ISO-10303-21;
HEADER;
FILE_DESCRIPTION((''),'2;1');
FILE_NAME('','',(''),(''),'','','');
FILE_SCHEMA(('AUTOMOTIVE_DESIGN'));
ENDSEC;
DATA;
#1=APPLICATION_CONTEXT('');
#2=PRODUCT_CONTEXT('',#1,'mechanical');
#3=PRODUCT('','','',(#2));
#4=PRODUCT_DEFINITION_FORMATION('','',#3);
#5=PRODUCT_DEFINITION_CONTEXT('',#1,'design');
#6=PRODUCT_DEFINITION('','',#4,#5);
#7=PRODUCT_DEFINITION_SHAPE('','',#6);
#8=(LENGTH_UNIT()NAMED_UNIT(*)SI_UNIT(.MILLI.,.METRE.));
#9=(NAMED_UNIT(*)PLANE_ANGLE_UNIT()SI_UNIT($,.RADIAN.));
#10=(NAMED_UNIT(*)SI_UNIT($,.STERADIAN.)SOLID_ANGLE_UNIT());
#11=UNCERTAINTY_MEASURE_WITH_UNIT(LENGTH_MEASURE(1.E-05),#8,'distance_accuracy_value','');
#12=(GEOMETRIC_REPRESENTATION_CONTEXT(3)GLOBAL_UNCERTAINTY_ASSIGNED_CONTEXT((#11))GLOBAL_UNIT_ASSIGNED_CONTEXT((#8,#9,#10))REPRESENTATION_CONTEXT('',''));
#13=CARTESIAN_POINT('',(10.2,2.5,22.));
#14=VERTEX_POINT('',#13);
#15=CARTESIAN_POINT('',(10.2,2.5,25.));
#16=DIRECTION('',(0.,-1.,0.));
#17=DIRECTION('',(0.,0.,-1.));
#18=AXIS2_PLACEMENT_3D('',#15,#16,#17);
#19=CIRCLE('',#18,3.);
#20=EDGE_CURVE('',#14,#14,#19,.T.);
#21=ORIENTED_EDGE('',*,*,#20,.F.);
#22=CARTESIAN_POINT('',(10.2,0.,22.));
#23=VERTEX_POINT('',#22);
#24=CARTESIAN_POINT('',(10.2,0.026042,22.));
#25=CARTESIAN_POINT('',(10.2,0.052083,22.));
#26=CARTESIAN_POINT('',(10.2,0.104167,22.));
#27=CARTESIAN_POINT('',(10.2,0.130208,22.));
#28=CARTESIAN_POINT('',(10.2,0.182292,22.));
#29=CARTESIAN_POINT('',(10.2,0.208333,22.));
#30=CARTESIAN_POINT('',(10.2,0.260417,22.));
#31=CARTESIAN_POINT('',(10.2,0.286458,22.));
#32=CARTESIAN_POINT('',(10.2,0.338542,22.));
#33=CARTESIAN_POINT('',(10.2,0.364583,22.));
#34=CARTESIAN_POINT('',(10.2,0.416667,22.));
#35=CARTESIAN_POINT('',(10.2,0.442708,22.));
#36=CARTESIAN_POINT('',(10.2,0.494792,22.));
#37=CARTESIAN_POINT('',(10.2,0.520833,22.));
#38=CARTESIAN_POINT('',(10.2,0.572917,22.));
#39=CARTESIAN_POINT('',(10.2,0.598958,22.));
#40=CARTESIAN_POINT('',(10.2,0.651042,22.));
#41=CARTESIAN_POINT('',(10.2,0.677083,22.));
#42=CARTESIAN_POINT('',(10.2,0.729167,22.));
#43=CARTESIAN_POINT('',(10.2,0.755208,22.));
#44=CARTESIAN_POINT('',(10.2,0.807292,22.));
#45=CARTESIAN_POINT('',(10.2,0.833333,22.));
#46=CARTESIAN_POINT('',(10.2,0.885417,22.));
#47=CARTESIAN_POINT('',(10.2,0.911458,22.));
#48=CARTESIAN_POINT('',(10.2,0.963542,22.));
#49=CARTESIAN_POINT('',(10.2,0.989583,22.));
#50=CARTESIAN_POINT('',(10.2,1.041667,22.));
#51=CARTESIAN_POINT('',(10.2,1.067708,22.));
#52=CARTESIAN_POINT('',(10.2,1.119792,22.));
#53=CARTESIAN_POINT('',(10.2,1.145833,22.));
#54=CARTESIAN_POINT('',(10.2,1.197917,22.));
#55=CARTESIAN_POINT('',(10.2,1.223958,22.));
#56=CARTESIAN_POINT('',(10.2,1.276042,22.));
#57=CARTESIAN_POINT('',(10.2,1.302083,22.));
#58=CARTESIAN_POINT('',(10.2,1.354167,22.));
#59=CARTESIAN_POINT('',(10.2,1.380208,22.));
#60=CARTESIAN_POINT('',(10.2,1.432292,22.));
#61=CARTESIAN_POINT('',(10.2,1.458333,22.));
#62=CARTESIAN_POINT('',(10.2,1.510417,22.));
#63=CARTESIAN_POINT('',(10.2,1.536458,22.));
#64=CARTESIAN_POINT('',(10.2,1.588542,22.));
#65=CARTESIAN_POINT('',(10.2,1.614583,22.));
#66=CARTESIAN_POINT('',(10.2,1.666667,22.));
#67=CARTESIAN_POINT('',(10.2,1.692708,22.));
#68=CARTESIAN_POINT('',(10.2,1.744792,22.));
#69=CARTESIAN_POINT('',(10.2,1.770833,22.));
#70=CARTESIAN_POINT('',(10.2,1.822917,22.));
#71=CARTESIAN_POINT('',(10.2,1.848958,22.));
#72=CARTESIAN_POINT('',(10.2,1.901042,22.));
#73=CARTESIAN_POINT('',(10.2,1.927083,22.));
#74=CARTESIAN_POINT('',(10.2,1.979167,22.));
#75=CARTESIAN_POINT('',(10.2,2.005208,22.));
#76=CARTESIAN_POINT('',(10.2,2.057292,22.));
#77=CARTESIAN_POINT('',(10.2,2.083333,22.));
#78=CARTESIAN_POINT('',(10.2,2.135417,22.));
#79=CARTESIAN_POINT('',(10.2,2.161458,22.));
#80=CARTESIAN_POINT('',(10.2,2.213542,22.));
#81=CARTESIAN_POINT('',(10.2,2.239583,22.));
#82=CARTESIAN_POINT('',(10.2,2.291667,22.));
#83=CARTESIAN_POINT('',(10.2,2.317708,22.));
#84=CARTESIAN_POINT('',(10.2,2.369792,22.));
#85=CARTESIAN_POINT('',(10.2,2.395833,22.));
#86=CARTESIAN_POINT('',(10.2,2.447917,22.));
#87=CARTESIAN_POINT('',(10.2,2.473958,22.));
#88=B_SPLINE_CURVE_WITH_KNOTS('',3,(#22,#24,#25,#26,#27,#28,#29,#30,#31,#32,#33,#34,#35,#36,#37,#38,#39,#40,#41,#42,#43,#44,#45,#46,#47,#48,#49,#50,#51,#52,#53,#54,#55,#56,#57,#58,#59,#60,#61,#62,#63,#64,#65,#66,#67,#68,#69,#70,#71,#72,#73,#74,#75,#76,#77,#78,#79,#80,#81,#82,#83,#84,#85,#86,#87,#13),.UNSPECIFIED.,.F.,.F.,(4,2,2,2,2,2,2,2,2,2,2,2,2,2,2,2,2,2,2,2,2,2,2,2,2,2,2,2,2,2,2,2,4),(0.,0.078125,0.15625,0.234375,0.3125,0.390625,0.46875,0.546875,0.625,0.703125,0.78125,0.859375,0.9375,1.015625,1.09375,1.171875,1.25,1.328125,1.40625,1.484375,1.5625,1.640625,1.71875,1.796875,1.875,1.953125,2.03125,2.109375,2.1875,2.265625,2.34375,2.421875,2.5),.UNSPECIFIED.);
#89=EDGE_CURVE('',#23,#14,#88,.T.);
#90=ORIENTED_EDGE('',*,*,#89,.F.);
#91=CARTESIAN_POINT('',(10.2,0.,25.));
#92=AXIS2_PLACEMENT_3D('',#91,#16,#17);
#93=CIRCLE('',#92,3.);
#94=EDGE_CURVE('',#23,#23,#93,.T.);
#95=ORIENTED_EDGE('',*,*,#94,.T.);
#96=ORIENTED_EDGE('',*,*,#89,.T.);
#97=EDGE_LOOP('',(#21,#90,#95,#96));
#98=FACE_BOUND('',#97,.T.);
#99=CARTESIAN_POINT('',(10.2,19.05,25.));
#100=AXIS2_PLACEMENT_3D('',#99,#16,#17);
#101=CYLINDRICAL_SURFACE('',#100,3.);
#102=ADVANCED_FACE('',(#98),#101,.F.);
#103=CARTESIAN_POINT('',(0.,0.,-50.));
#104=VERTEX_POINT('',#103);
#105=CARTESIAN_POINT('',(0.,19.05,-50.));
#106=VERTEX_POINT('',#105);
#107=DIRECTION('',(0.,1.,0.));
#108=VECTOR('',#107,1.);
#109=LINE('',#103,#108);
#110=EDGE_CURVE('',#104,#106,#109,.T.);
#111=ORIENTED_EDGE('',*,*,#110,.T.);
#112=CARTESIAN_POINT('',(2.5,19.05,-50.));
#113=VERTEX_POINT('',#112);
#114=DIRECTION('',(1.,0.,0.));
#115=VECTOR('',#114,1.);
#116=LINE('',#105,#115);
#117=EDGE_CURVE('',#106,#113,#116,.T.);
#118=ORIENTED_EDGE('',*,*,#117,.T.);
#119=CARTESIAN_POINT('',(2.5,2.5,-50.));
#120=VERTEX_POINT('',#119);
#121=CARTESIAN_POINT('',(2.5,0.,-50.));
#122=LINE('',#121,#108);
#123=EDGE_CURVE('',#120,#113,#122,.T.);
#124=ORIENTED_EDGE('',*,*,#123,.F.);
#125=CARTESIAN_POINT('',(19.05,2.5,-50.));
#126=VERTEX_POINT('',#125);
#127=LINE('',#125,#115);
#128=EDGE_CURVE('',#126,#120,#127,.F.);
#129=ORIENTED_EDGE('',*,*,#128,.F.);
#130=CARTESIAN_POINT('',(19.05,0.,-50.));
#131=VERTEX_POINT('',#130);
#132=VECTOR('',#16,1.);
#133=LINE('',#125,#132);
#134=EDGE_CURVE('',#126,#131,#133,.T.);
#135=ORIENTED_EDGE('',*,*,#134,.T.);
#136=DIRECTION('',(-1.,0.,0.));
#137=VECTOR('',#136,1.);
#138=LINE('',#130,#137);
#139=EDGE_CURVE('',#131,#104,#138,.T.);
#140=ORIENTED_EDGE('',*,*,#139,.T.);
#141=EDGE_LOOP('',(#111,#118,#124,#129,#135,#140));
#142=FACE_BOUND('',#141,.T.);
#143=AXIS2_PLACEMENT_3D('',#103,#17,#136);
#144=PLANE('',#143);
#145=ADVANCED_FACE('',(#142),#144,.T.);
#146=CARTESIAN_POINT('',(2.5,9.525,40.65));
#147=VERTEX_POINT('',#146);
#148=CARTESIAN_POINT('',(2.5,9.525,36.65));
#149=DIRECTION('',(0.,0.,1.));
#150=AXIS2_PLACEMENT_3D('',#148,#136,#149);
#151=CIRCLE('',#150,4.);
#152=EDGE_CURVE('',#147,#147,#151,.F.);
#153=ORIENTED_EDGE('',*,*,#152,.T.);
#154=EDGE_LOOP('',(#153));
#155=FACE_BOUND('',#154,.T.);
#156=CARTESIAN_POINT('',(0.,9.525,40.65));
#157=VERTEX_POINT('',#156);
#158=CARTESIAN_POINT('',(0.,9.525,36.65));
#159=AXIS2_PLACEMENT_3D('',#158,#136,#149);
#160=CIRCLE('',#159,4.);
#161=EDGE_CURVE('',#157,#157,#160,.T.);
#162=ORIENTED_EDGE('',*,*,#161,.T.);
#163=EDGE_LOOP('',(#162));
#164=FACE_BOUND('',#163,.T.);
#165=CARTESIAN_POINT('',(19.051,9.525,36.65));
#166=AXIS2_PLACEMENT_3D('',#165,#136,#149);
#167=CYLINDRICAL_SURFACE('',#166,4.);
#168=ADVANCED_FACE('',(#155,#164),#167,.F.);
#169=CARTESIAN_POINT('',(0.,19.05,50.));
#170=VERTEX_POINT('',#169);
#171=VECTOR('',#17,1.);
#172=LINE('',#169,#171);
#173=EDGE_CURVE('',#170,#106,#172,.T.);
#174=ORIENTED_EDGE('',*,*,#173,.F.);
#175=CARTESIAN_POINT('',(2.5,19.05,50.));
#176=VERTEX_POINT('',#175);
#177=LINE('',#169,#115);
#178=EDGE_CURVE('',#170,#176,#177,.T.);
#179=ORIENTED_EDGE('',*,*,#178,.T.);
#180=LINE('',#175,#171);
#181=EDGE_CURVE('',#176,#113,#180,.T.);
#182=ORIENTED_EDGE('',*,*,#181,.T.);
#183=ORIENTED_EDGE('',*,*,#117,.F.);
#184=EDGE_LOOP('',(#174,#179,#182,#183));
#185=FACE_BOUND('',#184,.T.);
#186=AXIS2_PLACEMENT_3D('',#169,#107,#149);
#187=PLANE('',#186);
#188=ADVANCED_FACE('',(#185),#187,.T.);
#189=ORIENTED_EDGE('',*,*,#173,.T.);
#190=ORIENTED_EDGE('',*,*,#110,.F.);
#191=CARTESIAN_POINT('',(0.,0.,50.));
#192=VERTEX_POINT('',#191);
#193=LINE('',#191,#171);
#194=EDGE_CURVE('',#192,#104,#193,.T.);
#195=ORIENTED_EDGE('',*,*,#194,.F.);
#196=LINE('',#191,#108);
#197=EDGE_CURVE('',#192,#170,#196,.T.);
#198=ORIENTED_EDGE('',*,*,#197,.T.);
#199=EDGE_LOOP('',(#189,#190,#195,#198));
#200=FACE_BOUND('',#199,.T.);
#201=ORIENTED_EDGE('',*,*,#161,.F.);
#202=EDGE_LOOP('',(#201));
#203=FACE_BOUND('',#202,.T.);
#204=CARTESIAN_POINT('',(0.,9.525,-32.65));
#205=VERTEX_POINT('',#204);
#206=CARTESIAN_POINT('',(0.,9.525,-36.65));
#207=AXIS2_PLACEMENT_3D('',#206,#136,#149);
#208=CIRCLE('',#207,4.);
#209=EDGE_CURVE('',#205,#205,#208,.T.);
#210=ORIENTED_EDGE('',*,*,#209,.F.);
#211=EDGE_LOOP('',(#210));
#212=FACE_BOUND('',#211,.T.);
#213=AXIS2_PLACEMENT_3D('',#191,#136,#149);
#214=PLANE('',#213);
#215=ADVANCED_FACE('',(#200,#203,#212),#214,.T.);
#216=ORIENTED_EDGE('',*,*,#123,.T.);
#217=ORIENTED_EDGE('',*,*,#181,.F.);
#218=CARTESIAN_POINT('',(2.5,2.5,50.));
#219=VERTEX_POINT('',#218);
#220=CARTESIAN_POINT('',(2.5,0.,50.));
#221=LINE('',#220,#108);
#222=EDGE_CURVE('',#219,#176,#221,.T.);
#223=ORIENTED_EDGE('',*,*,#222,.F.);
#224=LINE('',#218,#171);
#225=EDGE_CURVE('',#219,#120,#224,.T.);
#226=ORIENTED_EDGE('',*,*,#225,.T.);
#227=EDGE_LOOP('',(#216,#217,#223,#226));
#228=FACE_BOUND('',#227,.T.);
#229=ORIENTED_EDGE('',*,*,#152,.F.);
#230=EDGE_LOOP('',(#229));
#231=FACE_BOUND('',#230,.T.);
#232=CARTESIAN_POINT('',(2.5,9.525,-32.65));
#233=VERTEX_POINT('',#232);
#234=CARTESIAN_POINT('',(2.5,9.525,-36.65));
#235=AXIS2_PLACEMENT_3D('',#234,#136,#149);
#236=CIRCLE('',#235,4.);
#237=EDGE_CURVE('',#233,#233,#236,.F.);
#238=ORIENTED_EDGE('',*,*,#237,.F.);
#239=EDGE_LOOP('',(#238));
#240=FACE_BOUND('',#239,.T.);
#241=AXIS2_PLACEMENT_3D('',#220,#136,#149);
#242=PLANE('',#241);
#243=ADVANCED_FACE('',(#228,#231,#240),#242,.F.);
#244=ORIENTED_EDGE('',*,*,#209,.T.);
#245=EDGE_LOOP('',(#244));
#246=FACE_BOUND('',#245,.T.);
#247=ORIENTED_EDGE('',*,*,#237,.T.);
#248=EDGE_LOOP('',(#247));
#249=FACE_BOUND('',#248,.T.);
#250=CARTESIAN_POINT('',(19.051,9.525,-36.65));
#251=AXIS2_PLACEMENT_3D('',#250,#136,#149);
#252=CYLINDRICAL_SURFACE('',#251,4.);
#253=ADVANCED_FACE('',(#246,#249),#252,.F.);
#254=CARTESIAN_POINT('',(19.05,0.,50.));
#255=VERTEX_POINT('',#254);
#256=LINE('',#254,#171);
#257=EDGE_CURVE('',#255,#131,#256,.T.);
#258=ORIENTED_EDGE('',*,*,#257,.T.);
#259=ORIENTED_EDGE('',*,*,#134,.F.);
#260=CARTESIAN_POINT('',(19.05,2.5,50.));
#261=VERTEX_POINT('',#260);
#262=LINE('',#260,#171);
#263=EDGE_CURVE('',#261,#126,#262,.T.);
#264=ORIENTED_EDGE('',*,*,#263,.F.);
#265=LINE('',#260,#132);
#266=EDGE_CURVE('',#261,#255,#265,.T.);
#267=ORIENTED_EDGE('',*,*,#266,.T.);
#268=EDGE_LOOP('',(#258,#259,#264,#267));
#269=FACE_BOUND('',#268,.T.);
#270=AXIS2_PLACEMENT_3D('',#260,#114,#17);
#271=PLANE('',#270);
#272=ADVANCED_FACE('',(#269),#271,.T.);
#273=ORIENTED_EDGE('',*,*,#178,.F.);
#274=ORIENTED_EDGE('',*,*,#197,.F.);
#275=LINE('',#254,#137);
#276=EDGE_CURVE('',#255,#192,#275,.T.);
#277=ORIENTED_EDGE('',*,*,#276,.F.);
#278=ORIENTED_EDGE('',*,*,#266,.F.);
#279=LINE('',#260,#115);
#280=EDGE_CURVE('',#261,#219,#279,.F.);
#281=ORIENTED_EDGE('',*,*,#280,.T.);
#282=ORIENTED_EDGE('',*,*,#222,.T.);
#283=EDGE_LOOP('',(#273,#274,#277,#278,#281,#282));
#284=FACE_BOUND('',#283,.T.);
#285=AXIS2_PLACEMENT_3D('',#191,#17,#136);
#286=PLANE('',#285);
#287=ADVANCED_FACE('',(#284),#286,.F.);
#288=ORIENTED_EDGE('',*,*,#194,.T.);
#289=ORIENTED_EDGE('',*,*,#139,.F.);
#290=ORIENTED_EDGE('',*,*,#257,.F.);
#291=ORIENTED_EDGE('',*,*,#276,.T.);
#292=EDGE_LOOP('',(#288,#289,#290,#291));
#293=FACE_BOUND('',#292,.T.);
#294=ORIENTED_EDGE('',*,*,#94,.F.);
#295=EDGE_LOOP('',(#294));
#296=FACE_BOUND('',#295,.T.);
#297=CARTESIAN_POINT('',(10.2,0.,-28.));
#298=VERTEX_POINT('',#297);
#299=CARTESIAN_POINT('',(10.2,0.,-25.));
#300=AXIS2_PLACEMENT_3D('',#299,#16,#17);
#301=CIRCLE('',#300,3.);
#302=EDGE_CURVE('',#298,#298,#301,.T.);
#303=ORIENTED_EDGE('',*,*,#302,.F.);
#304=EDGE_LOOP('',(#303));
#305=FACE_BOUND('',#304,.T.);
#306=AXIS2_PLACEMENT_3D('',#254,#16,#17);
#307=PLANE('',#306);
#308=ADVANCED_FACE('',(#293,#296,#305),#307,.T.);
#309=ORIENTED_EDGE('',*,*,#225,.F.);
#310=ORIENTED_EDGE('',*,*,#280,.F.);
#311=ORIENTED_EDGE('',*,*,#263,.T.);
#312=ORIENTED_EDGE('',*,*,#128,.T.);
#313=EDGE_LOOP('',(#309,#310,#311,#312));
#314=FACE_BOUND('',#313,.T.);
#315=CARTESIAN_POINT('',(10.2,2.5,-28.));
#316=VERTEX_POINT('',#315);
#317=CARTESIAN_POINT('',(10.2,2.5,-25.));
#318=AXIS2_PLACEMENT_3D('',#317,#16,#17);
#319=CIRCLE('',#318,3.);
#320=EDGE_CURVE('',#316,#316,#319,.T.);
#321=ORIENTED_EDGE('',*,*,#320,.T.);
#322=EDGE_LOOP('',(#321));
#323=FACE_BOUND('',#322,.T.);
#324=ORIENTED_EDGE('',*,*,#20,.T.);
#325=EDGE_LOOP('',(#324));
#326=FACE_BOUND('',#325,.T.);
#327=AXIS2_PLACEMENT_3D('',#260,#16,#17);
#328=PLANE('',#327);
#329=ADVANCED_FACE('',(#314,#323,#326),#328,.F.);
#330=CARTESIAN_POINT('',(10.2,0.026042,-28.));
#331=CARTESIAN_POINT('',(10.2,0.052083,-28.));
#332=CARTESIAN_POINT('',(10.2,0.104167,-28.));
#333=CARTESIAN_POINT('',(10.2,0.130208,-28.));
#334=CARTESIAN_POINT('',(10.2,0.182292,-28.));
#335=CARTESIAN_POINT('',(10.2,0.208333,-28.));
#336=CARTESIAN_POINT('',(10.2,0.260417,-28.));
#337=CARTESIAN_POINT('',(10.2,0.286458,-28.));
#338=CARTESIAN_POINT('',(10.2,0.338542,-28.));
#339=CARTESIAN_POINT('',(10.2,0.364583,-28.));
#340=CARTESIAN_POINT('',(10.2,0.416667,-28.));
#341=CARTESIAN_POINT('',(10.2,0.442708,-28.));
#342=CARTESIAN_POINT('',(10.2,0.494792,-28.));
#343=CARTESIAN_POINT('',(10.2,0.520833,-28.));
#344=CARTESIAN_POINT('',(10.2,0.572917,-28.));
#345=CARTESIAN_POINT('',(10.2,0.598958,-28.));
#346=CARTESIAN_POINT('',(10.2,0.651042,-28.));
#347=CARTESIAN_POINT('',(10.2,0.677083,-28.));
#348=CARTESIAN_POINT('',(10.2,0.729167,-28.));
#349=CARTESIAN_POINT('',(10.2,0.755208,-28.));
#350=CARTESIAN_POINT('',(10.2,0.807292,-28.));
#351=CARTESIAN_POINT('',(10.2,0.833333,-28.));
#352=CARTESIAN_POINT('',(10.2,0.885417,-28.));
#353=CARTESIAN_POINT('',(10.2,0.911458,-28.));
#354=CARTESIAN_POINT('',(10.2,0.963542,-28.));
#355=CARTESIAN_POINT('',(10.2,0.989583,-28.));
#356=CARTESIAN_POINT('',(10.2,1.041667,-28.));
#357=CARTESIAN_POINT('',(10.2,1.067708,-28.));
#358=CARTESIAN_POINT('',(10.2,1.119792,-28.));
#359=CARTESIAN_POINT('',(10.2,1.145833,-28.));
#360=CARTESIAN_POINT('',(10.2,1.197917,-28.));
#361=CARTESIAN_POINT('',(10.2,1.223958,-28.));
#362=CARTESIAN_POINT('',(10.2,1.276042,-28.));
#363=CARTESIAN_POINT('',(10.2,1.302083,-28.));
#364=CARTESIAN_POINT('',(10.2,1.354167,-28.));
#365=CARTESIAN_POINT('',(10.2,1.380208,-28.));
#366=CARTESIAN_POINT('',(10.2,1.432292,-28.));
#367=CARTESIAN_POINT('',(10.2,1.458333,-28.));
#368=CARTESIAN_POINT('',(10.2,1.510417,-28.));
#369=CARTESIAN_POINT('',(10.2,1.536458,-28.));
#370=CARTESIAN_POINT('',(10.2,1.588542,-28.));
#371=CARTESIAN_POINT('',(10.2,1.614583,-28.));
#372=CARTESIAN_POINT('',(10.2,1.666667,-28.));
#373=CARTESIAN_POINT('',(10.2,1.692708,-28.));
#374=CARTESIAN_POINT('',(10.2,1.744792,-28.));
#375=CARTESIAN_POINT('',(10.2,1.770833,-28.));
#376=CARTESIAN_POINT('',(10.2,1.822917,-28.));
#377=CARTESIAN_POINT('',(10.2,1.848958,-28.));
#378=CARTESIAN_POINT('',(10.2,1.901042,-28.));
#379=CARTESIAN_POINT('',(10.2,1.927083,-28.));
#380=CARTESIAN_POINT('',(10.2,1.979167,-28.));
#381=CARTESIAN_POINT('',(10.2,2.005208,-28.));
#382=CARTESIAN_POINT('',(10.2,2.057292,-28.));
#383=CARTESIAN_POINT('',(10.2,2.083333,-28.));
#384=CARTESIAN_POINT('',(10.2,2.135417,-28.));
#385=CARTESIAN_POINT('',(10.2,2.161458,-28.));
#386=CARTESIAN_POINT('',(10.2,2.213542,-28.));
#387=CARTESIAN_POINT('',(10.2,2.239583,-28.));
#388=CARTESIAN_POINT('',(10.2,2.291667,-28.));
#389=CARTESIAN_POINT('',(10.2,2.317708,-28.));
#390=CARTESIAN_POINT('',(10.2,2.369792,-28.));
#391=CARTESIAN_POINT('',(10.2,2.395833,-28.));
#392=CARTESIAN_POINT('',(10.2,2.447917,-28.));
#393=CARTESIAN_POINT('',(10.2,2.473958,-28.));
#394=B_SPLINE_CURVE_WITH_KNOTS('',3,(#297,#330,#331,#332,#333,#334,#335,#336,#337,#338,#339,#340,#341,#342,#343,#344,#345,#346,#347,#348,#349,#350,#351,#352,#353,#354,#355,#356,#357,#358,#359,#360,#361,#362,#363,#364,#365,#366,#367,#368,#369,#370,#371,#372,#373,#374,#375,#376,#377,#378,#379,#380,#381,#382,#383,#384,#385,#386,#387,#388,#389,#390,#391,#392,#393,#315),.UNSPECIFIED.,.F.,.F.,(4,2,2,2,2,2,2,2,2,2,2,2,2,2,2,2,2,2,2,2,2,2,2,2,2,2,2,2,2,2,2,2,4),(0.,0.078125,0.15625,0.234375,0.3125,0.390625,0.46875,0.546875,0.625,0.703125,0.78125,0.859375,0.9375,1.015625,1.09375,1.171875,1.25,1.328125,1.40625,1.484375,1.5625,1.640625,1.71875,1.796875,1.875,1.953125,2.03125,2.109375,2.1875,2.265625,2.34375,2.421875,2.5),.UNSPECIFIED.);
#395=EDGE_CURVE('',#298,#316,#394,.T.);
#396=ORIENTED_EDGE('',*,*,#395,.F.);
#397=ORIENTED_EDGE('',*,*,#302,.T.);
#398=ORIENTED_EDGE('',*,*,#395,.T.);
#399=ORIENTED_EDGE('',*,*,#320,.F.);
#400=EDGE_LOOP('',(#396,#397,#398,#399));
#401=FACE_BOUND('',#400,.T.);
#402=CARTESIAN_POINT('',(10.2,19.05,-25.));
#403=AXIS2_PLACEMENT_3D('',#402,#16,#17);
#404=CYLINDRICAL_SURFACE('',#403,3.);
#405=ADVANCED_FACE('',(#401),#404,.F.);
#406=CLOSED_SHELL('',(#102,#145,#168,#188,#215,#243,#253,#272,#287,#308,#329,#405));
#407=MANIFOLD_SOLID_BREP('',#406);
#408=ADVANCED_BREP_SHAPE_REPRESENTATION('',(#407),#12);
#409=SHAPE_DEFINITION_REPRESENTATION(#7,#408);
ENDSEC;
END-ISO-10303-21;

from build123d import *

# Parameters (mm, degrees)
EXTRUDE_THIN1_DEPTH = 50
CUT_EXTRUDE2_REACH  = 58.796
SKETCH4_R           = 4
SKETCH5_R           = 3
CUT_EXTRUDE3_DEPTH  = 57.796170646


with BuildPart() as part:
    # Sketch1 → Extrude-Thin1 (new, symmetric)
    with BuildSketch(Plane.XY):
        Polygon((19.05, 0), (0, 0), (0, 19.05), (2.5, 19.05), (2.5, 2.5), (19.05, 2.5), align=None)
    extrude(amount=EXTRUDE_THIN1_DEPTH, both=True)

    # Sketch4 → Cut-Extrude2 (cut, up to next)
    with BuildSketch(Plane.ZY, mode=Mode.PRIVATE) as cut_extrude2_sk1:
        with Locations((-36.65, 9.525)):
            Circle(SKETCH4_R)
    cut_extrude2_tool1 = extrude(cut_extrude2_sk1.sketch, amount=-CUT_EXTRUDE2_REACH, mode=Mode.PRIVATE) & part.part
    # Sketch4 → Cut-Extrude2 (cut, up to next)
    with BuildSketch(Plane.ZY, mode=Mode.PRIVATE) as cut_extrude2_sk2:
        with Locations((36.65, 9.525)):
            Circle(SKETCH4_R)
    cut_extrude2_tool2 = extrude(cut_extrude2_sk2.sketch, amount=-CUT_EXTRUDE2_REACH, mode=Mode.PRIVATE) & part.part
    add(cut_extrude2_tool1.solids().sort_by_distance((0, 9.525, -36.65))[0], mode=Mode.SUBTRACT)
    add(cut_extrude2_tool2.solids().sort_by_distance((0, 9.525, 36.65))[0], mode=Mode.SUBTRACT)

    # Sketch5 → Cut-Extrude3 (cut, through all)
    with BuildSketch(Plane.XZ):
        with Locations(Location((10.2, 25, 0), (0, 0, 270))):
            Circle(SKETCH5_R)
        with Locations(Location((10.2, -25, 0), (0, 0, 270))):
            Circle(SKETCH5_R)
    extrude(amount=-CUT_EXTRUDE3_DEPTH, mode=Mode.SUBTRACT)


solid = part.part
